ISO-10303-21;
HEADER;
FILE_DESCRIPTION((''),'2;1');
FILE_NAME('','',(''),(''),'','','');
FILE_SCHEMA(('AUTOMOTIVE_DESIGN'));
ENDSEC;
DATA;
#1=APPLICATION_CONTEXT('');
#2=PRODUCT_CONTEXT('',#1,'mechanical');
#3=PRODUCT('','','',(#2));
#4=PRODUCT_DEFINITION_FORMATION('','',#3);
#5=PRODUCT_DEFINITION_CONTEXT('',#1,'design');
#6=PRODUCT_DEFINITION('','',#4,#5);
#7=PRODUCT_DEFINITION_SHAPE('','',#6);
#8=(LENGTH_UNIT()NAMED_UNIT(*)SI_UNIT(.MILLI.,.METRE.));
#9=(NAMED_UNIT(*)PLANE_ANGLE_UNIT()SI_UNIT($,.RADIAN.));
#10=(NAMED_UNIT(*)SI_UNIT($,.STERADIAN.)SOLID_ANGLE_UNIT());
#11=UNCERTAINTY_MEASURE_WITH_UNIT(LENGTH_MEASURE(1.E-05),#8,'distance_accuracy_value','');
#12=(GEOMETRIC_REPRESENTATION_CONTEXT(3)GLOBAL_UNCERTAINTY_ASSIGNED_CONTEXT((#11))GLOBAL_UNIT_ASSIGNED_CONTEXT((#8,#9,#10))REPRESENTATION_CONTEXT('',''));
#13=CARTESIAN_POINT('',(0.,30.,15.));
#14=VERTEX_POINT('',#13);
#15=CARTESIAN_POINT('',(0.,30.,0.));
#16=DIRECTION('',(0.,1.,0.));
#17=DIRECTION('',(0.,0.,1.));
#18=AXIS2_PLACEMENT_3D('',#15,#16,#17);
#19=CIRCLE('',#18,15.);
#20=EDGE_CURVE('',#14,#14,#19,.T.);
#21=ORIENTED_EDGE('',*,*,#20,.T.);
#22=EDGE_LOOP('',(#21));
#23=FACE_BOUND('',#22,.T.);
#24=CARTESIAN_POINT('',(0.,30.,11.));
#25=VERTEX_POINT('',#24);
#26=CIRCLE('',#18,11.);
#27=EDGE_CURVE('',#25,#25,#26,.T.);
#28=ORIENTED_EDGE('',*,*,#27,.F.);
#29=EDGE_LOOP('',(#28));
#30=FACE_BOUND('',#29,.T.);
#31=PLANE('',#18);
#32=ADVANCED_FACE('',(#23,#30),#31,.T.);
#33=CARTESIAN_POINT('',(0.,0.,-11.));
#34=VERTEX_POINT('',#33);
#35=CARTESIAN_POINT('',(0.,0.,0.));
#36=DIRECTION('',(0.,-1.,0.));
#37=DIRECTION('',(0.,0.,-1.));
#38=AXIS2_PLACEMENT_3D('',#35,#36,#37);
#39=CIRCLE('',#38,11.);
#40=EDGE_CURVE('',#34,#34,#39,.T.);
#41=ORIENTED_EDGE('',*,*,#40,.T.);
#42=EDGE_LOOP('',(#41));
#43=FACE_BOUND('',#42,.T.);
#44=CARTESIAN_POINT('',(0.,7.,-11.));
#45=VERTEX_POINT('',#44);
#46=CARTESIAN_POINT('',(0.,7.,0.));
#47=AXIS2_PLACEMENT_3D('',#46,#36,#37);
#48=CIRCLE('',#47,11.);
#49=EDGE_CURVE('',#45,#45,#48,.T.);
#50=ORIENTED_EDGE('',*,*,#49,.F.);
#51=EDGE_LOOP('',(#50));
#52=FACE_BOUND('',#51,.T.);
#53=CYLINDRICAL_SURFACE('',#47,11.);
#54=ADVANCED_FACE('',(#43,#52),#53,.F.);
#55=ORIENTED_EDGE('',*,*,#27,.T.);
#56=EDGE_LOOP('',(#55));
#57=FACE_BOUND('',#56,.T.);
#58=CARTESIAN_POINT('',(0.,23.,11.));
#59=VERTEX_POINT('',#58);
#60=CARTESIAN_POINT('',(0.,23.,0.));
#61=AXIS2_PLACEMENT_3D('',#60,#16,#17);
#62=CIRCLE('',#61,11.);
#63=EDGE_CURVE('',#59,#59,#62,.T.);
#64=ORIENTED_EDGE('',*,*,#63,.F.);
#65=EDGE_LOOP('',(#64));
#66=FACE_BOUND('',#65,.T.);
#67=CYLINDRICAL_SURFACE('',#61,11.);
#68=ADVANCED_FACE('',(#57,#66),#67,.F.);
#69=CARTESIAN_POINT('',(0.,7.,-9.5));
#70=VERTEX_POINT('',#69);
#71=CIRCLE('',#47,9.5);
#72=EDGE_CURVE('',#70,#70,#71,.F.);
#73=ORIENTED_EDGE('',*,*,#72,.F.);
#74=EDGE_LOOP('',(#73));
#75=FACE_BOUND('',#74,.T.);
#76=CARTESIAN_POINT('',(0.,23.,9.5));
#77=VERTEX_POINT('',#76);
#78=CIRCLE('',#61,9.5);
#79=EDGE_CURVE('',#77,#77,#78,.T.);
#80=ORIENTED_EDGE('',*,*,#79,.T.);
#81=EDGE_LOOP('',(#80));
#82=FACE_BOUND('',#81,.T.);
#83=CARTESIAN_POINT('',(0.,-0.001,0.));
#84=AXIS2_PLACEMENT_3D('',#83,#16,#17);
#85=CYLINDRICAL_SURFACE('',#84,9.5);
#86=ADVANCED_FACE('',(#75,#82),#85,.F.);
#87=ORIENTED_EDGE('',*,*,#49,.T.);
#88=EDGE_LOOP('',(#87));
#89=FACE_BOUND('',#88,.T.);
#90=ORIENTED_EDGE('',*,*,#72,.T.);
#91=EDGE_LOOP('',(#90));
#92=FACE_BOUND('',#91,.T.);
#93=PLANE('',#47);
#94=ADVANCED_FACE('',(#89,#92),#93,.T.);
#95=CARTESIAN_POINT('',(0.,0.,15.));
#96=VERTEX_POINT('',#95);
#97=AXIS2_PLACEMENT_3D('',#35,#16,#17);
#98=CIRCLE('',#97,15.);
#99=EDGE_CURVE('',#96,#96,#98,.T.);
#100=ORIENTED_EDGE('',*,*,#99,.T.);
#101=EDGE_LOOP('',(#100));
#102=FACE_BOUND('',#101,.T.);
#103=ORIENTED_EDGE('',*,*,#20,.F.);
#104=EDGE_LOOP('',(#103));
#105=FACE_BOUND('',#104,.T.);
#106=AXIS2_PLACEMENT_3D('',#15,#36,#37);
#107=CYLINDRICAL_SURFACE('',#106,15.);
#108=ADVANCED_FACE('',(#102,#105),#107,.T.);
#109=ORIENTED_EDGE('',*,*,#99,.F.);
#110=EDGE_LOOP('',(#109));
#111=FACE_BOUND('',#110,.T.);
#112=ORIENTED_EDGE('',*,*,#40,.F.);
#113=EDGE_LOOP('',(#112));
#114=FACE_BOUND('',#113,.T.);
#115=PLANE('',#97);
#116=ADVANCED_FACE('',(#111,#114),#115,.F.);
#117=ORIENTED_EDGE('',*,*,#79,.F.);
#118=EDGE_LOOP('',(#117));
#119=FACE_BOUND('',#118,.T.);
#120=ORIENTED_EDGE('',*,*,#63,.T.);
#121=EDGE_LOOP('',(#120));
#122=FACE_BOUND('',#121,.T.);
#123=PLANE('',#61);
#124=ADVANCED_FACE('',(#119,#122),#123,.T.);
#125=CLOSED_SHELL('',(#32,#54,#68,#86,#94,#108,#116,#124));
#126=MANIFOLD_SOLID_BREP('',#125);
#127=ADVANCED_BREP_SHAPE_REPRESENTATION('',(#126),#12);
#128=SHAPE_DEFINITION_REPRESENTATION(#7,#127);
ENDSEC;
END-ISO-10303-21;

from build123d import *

# Parameters (mm, degrees)
CROQUIS2_R              = 15
SALIENTE_EXTRUIR2_DEPTH = 30
CROQUIS3_R              = 11
CORTAR_EXTRUIR1_DEPTH   = 7
CORTAR_EXTRUIR2_START   = -7
CROQUIS4_R              = 11
CORTAR_EXTRUIR2_DEPTH   = 7
CORTAR_EXTRUIR3_REACH   = 33.289
CROQUIS5_R              = 9.5


with BuildPart() as part:
    # Croquis2 → Saliente-Extruir2 (new body)
    with BuildSketch(Plane(origin=(0, 0, 0), x_dir=(1, 0, 0), z_dir=(0, 1, 0))):
        with Locations(Location((0, 0, 0), (0, 0, 270))):
            Circle(CROQUIS2_R)
    extrude(amount=SALIENTE_EXTRUIR2_DEPTH)

    # Croquis3 → Cortar-Extruir1 (cut)
    with BuildSketch(Plane(origin=(0, 30, 0), x_dir=(1, 0, 0), z_dir=(0, 1, 0))):
        with Locations(Location((0, 0, 0), (0, 0, 270))):
            Circle(CROQUIS3_R)
    extrude(amount=-CORTAR_EXTRUIR1_DEPTH, mode=Mode.SUBTRACT)

    # Croquis4 → Cortar-Extruir2 (cut)
    with BuildSketch(Plane(origin=(0, 0, 0), x_dir=(-1, 0, 0), z_dir=(0, -1, 0)).offset(CORTAR_EXTRUIR2_START)):
        with Locations(Location((0, 0, 0), (0, 0, 270))):
            Circle(CROQUIS4_R)
    extrude(amount=CORTAR_EXTRUIR2_DEPTH, mode=Mode.SUBTRACT)

    # Croquis5 → Cortar-Extruir3 (cut, up to next)
    with BuildSketch(Plane(origin=(0, 23, 0), x_dir=(1, 0, 0), z_dir=(0, 1, 0)), mode=Mode.PRIVATE) as cortar_extruir3_sk1:
        with Locations(Location((0, 0, 0), (0, 0, 270))):
            Circle(CROQUIS5_R)
    cortar_extruir3_tool1 = extrude(cortar_extruir3_sk1.sketch, amount=-CORTAR_EXTRUIR3_REACH, mode=Mode.PRIVATE) & part.part
    add(cortar_extruir3_tool1.solids().sort_by_distance((0, 23, 0))[0], mode=Mode.SUBTRACT)


solid = part.part
